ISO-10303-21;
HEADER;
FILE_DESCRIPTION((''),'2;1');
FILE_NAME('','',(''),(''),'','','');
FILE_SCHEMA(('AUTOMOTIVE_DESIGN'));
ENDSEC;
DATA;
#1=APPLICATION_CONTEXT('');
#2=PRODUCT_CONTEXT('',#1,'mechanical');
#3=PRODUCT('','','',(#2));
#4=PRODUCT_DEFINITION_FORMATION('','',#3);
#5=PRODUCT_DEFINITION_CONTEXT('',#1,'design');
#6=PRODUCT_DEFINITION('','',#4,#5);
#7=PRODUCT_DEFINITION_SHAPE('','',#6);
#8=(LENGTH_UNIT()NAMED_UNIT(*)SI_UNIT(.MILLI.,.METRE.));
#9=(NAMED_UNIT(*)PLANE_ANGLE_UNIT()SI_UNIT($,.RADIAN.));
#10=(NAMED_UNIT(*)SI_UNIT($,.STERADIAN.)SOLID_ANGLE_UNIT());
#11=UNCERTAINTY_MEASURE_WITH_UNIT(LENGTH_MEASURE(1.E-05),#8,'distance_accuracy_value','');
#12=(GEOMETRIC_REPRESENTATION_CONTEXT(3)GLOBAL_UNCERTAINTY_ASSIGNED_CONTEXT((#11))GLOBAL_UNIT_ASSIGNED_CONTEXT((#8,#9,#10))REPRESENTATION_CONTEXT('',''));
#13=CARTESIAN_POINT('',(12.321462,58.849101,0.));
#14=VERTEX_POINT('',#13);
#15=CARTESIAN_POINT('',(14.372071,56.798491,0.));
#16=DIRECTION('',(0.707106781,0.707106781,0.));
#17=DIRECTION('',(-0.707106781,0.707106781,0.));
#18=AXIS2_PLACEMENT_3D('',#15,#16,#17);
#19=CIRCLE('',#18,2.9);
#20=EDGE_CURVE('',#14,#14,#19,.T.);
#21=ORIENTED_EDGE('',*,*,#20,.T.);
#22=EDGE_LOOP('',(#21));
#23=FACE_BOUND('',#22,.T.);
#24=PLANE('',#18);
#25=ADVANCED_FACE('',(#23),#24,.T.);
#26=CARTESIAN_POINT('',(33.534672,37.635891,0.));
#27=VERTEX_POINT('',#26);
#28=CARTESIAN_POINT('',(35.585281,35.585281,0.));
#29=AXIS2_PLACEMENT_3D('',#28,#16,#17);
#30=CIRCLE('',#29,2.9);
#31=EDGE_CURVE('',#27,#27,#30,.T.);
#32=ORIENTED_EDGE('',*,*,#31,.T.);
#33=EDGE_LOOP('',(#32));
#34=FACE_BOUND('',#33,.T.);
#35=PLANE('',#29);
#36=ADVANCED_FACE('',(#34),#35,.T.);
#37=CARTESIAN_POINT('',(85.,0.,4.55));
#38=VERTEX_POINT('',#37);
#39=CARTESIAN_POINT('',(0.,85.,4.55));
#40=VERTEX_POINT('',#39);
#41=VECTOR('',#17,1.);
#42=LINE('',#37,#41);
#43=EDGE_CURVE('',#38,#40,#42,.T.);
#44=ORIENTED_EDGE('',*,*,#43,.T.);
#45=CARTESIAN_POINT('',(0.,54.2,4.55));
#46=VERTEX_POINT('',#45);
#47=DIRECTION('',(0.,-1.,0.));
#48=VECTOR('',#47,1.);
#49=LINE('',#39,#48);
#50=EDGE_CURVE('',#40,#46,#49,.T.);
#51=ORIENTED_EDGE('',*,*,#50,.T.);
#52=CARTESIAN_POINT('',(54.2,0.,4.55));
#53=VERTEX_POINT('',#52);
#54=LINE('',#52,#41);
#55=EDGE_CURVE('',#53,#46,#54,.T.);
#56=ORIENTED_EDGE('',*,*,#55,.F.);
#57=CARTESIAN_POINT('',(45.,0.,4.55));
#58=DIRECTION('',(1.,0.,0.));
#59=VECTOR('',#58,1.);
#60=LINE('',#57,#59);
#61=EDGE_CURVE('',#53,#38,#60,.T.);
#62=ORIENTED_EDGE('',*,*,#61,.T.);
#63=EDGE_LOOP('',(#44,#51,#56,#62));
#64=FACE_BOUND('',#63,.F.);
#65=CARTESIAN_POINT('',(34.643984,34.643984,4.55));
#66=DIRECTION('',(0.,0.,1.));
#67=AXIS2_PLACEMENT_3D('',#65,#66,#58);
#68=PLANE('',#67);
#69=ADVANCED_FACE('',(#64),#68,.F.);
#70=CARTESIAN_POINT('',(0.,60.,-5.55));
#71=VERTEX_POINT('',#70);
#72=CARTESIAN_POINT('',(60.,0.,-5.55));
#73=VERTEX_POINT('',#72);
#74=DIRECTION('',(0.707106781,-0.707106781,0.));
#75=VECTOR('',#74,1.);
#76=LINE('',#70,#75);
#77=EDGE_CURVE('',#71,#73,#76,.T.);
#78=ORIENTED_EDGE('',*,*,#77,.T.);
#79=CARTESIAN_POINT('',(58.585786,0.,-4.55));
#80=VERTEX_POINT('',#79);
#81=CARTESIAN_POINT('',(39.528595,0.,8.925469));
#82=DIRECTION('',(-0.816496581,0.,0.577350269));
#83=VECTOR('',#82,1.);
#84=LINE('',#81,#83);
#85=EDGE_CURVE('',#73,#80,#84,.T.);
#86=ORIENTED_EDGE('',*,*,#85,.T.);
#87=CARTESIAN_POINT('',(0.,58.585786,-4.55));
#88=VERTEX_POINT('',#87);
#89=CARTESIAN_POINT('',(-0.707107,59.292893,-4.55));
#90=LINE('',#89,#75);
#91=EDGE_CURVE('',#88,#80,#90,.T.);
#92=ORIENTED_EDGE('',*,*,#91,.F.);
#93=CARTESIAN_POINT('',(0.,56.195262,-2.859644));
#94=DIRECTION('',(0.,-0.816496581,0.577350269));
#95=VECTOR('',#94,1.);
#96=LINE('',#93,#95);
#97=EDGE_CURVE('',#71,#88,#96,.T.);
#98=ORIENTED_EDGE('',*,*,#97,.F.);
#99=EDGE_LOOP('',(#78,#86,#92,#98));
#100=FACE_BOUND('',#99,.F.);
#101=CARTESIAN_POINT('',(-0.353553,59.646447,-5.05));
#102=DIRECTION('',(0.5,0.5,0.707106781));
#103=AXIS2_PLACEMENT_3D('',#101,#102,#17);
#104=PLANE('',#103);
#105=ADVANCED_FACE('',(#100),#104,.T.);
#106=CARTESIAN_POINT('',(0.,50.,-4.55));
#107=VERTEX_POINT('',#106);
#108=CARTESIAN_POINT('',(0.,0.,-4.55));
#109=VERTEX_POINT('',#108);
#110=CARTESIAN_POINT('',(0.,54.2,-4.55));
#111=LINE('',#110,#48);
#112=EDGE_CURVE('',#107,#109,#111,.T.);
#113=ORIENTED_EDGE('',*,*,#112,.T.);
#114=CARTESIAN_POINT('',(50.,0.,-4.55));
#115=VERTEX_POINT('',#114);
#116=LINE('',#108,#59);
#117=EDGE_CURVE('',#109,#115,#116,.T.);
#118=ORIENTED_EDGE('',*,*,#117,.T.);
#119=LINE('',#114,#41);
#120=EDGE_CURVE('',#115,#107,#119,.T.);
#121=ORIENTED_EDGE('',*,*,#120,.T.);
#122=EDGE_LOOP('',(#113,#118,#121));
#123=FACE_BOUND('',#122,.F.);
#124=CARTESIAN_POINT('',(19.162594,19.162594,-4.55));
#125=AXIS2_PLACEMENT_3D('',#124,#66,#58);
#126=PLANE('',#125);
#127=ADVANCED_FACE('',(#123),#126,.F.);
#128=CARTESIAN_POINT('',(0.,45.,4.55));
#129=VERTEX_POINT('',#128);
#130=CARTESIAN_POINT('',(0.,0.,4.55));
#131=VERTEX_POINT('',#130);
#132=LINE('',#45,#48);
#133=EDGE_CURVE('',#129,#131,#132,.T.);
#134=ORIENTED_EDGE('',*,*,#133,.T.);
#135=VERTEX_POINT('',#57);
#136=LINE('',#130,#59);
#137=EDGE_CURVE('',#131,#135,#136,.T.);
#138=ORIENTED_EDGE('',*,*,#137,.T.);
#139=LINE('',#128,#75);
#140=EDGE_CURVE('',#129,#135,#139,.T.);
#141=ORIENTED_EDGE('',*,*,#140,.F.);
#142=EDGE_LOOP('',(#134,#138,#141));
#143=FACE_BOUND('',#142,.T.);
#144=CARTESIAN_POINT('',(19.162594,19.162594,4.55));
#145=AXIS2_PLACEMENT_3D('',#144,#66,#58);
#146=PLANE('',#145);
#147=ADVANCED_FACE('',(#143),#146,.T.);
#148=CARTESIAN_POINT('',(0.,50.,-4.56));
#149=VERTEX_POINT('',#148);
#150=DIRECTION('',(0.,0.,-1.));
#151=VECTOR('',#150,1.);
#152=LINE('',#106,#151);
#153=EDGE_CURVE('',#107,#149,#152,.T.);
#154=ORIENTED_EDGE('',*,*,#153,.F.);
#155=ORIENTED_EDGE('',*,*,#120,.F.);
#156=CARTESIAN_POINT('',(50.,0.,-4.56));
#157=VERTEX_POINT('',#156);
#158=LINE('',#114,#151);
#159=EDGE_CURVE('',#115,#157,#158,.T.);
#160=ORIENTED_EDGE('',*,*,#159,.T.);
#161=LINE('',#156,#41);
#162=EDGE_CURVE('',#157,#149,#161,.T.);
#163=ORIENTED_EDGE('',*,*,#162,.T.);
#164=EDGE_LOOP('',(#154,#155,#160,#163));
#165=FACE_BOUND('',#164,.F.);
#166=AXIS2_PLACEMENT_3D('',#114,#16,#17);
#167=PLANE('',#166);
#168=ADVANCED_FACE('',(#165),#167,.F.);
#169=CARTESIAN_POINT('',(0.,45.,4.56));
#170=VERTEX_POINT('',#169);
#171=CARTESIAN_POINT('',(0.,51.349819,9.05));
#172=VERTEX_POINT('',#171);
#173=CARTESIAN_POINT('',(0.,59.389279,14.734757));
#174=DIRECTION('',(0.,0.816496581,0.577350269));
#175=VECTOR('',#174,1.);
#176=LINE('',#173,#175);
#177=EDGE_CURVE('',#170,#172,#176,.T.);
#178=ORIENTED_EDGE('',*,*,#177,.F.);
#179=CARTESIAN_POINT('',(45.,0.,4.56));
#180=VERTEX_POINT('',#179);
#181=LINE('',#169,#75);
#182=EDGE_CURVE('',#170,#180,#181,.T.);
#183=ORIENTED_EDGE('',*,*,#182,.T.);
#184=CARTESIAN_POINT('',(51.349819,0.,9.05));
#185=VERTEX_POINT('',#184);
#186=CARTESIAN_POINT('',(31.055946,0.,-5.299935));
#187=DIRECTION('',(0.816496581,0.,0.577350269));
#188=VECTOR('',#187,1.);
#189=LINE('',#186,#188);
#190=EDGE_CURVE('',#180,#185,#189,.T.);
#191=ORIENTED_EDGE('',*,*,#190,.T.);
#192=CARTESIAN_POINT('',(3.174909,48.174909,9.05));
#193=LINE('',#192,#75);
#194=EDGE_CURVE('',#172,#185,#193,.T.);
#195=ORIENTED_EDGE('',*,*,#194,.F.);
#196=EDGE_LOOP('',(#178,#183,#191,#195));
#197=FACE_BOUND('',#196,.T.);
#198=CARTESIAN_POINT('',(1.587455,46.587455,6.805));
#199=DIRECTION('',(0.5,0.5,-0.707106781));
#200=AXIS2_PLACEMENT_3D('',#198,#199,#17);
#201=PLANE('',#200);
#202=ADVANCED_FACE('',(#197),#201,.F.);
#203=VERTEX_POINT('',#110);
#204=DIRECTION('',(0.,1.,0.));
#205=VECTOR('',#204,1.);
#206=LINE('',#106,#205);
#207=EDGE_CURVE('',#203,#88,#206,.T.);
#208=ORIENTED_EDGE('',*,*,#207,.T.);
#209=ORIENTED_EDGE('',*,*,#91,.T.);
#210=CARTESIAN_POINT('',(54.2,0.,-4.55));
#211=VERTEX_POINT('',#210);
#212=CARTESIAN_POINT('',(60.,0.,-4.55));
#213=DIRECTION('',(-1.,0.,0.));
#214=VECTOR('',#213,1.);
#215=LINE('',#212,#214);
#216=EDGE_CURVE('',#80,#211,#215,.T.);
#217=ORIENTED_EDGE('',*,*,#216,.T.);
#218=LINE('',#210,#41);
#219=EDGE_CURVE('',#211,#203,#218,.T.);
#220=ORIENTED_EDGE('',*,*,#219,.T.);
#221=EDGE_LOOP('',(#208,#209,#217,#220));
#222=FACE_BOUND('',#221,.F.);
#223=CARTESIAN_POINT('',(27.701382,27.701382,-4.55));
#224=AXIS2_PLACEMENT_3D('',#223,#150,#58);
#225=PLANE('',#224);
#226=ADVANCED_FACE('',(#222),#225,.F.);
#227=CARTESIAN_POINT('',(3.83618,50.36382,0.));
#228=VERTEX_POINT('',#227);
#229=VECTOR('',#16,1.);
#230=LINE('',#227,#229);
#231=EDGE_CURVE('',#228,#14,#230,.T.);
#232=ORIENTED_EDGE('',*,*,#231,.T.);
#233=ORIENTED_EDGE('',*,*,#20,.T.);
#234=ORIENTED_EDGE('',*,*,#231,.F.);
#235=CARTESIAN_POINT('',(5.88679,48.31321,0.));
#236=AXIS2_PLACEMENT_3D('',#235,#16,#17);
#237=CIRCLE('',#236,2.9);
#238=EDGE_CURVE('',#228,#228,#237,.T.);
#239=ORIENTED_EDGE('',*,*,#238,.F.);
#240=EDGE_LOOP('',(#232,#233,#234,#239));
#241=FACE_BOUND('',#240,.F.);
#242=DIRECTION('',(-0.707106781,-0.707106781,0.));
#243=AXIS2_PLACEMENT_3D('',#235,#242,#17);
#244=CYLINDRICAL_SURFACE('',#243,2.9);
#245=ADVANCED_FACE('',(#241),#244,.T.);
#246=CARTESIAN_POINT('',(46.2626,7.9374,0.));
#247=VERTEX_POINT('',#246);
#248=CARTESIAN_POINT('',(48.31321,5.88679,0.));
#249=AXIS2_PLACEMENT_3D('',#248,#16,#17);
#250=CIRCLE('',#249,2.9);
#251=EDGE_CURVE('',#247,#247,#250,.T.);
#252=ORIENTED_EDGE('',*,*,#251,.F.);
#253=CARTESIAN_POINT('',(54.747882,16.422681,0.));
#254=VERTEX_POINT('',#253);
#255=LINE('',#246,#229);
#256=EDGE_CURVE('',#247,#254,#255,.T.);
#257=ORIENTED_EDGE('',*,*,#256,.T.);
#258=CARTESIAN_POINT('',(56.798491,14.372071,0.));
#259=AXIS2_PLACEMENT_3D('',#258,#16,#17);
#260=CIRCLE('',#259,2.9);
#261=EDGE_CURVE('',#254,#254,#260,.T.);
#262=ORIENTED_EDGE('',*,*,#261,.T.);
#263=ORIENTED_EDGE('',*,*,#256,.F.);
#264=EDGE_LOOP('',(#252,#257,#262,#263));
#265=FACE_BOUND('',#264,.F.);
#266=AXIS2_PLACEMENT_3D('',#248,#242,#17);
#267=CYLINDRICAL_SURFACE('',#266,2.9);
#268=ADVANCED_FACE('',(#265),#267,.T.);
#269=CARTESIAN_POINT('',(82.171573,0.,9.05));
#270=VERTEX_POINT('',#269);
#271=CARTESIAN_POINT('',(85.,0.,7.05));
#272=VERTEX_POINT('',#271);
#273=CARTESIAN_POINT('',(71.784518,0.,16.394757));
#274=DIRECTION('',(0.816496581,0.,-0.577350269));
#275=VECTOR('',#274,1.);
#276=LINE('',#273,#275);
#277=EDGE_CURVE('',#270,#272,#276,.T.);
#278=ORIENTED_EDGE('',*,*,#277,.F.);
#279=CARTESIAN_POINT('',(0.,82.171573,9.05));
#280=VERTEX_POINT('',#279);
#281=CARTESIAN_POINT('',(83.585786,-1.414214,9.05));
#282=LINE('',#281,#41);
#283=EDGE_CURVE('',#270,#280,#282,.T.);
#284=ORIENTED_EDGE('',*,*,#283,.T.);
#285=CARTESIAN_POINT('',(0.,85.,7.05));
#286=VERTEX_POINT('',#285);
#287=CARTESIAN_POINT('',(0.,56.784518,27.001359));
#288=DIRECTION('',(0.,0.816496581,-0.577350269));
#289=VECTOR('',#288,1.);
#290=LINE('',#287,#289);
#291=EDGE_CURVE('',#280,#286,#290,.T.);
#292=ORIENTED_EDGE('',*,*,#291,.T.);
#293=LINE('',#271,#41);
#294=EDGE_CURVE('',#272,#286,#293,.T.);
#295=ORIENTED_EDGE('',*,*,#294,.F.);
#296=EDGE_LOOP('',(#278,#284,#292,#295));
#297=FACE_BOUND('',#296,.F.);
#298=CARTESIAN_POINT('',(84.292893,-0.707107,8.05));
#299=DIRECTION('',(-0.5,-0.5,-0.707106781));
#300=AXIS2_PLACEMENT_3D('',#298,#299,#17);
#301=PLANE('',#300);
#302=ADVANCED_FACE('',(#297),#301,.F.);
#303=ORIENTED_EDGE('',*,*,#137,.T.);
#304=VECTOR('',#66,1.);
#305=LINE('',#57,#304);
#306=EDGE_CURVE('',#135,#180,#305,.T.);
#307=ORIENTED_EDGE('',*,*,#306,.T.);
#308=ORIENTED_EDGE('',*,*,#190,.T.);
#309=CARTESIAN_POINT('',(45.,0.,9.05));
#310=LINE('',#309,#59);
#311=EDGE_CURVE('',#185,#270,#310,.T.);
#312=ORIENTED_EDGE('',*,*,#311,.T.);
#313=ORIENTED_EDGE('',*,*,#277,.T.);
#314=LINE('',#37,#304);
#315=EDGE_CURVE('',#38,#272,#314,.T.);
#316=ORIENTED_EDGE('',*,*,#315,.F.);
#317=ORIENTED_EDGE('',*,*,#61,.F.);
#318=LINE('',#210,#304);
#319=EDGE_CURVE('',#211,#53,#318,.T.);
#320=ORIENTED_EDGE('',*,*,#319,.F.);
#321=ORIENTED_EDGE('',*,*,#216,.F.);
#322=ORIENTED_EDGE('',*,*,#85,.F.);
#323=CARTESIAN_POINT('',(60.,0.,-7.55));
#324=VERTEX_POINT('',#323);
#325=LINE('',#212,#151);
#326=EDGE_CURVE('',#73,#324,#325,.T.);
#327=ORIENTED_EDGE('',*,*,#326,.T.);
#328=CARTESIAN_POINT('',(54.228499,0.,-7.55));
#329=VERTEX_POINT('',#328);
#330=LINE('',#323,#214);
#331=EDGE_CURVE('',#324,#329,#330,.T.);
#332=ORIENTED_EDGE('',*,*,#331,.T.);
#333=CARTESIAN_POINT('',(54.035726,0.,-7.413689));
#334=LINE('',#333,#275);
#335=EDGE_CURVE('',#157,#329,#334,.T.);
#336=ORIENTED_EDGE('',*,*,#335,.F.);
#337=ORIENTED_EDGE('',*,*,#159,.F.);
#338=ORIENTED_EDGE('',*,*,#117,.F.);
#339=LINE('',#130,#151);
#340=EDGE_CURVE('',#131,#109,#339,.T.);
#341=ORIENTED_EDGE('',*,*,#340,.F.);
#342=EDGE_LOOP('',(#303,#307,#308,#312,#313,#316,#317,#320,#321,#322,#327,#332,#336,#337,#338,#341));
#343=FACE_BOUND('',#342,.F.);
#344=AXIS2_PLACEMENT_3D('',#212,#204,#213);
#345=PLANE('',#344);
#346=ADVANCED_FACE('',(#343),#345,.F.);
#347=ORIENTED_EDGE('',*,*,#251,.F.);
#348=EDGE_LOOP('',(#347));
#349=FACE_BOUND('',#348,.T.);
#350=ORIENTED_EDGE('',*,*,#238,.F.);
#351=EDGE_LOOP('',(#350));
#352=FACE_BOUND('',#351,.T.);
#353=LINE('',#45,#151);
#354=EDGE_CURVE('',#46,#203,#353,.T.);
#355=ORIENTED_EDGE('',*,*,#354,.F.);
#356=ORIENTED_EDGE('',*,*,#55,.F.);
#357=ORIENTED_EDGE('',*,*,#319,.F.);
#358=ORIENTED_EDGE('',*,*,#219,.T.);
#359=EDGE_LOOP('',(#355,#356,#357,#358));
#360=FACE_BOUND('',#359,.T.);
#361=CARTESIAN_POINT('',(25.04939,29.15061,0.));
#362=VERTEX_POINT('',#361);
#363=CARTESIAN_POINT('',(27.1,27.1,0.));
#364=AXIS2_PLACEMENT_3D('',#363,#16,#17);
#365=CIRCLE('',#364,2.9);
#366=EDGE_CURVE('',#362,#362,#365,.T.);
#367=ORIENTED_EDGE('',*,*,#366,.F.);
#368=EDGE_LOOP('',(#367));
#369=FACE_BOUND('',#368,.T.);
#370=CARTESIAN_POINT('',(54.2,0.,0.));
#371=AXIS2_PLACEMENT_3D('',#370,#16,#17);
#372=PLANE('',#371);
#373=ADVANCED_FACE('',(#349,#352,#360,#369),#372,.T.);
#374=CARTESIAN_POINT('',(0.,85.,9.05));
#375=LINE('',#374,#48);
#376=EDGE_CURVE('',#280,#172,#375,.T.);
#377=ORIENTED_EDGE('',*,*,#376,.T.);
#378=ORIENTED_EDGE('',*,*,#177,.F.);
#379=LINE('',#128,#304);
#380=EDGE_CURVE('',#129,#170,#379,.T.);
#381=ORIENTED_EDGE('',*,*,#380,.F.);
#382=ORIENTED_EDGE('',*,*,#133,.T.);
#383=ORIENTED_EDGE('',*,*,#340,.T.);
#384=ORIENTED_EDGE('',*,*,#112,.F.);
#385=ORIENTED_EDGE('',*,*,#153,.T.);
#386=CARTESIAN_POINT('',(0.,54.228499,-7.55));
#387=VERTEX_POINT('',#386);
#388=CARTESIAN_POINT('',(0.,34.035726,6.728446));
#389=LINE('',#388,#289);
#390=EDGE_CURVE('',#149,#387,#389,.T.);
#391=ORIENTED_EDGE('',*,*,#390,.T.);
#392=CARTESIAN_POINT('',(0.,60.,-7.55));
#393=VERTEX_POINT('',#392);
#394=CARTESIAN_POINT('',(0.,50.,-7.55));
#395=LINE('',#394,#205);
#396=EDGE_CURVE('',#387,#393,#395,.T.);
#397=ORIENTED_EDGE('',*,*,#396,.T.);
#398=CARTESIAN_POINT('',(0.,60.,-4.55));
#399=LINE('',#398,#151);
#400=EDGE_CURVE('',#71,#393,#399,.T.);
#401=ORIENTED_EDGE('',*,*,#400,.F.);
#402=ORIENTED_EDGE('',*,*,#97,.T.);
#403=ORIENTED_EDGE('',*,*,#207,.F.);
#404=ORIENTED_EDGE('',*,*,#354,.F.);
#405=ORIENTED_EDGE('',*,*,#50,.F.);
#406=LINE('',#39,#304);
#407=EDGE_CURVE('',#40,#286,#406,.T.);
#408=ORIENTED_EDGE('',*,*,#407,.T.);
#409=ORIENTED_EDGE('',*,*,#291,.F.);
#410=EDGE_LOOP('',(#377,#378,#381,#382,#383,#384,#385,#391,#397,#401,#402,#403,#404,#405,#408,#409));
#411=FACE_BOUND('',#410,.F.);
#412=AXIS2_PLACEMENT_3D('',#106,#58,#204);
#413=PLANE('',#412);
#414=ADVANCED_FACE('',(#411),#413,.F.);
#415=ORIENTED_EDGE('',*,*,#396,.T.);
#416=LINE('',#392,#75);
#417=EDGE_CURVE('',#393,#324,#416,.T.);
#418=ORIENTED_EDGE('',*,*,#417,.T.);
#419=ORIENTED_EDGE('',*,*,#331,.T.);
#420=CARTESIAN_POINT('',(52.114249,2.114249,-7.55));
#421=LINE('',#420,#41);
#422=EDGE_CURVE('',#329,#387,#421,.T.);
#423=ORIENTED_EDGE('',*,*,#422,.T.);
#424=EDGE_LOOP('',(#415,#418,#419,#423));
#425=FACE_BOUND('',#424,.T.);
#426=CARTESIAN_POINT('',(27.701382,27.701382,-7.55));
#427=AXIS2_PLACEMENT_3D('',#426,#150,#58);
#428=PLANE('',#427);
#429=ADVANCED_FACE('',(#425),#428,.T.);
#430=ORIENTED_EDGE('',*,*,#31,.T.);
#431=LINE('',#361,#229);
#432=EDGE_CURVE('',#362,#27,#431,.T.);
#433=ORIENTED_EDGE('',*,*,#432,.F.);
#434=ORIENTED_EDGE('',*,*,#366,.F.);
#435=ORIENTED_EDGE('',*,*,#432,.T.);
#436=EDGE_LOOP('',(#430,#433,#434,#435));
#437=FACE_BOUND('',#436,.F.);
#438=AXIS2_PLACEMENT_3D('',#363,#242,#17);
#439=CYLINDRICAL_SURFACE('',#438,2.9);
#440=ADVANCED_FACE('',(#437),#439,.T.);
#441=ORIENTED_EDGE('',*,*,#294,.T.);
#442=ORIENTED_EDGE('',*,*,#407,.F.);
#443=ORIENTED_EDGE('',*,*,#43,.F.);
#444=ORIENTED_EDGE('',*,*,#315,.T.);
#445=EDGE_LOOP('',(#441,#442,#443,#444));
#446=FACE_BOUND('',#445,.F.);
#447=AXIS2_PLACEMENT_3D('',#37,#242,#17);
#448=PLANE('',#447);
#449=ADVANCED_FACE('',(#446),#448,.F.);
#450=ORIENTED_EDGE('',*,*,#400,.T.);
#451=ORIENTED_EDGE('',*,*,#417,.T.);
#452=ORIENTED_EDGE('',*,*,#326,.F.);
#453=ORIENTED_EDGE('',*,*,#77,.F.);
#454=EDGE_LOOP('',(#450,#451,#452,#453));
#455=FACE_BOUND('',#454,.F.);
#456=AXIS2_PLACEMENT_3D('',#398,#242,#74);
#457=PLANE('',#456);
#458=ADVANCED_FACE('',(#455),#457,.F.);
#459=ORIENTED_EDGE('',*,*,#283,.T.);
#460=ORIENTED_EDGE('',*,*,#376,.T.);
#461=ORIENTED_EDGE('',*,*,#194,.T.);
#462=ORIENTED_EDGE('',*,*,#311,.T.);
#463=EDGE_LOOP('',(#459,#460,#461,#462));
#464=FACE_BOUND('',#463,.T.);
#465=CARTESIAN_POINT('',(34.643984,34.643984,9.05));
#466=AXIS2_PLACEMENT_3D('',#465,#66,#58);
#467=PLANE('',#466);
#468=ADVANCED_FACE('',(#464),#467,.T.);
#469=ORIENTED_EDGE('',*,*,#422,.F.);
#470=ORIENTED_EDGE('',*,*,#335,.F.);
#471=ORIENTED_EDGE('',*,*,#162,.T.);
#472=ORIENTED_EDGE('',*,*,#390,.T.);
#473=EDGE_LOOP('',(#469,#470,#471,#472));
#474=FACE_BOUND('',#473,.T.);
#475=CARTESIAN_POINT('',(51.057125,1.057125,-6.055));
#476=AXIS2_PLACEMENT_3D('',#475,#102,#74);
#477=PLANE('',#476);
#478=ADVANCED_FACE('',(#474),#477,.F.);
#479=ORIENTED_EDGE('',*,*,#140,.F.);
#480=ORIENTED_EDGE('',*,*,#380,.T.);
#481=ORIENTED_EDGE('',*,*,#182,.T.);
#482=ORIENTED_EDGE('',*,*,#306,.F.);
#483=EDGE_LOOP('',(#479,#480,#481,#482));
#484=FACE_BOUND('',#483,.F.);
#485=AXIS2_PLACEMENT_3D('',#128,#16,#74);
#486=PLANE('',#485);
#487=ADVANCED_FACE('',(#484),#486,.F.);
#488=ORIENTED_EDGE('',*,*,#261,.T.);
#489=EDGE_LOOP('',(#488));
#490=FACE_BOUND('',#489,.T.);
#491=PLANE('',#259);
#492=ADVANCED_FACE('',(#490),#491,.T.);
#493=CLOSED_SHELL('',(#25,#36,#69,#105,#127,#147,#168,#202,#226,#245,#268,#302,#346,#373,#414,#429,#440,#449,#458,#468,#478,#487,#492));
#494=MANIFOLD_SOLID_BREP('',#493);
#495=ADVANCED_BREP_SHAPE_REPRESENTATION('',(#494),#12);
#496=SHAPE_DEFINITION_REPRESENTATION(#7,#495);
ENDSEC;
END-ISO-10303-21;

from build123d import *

# Parameters (mm, degrees)
PAD_DEPTH              = 4.55
SKETCH001_R            = 2.9
PAD001_DEPTH           = 12
LINEARPATTERN_COUNT    = 2
LINEARPATTERN_PITCH    = 30
LINEARPATTERN001_COUNT = 2
LINEARPATTERN001_PITCH = 30
PAD002_DEPTH           = 4.5
CHAMFER_SIZE           = 4.49
CHAMFER001_SIZE        = 2
PAD003_DEPTH           = 3
CHAMFER002_SIZE        = 2.99
CHAMFER003_SIZE        = 1


with BuildPart() as part:
    # Sketch → Pad (new body, symmetric)
    with BuildSketch(Plane.XY):
        Polygon((0, 0), (54.2, 0), (0, 54.2), align=None)
    extrude(amount=PAD_DEPTH, both=True)

    # Sketch001 (on Face2 of Pad) → Pad001 (join)
    with BuildSketch(Plane(origin=(27.1, 27.1, 0), x_dir=(-0.707107, 0.707107, 0), z_dir=(0.707107, 0.707107, 0))):
        Circle(SKETCH001_R)
    pad001 = extrude(amount=PAD001_DEPTH)

    # LinearPattern: Pad001 ×2
    with Locations(*[Vector(-0.707107, 0.707107, 0) * (i * LINEARPATTERN_PITCH) for i in range(1, LINEARPATTERN_COUNT)]):
        add(pad001)

    # LinearPattern001: Pad001 ×2
    with Locations(*[Vector(0.707107, -0.707107, 0) * (i * LINEARPATTERN001_PITCH) for i in range(1, LINEARPATTERN001_COUNT)]):
        add(pad001)

    # Sketch002 (on Face5 of LinearPattern001) → Pad002 (join)
    with BuildSketch(Plane.XY.offset(4.55)):
        Polygon((0, 85), (0, 45), (45, 0), (85, 0), align=None)
    extrude(amount=PAD002_DEPTH)

    # Chamfer
    chamfer_edges = [part.edges().sort_by_distance(p)[0] for p in [
        (22.5, 22.5, 9.05),
    ]]
    chamfer(chamfer_edges, length=CHAMFER_SIZE)

    # Chamfer001
    chamfer001_edges = [part.edges().sort_by_distance(p)[0] for p in [
        (42.5, 42.5, 9.05),
    ]]
    chamfer(chamfer001_edges, length=CHAMFER001_SIZE)

    # Sketch003 (on Face11 of Chamfer001) → Pad003 (join)
    with BuildSketch(Plane(origin=(0, 0, -4.55), x_dir=(1, 0, 0), z_dir=(0, 0, -1))):
        Polygon((60, 0), (50, 0), (0, -50), (0, -60), align=None)
    extrude(amount=PAD003_DEPTH)

    # Chamfer002
    chamfer002_edges = [part.edges().sort_by_distance(p)[0] for p in [
        (25, 25, -7.55),
    ]]
    chamfer(chamfer002_edges, length=CHAMFER002_SIZE)

    # Chamfer003
    chamfer003_edges = [part.edges().sort_by_distance(p)[0] for p in [
        (30, 30, -4.55),
    ]]
    chamfer(chamfer003_edges, length=CHAMFER003_SIZE)


solid = part.part
